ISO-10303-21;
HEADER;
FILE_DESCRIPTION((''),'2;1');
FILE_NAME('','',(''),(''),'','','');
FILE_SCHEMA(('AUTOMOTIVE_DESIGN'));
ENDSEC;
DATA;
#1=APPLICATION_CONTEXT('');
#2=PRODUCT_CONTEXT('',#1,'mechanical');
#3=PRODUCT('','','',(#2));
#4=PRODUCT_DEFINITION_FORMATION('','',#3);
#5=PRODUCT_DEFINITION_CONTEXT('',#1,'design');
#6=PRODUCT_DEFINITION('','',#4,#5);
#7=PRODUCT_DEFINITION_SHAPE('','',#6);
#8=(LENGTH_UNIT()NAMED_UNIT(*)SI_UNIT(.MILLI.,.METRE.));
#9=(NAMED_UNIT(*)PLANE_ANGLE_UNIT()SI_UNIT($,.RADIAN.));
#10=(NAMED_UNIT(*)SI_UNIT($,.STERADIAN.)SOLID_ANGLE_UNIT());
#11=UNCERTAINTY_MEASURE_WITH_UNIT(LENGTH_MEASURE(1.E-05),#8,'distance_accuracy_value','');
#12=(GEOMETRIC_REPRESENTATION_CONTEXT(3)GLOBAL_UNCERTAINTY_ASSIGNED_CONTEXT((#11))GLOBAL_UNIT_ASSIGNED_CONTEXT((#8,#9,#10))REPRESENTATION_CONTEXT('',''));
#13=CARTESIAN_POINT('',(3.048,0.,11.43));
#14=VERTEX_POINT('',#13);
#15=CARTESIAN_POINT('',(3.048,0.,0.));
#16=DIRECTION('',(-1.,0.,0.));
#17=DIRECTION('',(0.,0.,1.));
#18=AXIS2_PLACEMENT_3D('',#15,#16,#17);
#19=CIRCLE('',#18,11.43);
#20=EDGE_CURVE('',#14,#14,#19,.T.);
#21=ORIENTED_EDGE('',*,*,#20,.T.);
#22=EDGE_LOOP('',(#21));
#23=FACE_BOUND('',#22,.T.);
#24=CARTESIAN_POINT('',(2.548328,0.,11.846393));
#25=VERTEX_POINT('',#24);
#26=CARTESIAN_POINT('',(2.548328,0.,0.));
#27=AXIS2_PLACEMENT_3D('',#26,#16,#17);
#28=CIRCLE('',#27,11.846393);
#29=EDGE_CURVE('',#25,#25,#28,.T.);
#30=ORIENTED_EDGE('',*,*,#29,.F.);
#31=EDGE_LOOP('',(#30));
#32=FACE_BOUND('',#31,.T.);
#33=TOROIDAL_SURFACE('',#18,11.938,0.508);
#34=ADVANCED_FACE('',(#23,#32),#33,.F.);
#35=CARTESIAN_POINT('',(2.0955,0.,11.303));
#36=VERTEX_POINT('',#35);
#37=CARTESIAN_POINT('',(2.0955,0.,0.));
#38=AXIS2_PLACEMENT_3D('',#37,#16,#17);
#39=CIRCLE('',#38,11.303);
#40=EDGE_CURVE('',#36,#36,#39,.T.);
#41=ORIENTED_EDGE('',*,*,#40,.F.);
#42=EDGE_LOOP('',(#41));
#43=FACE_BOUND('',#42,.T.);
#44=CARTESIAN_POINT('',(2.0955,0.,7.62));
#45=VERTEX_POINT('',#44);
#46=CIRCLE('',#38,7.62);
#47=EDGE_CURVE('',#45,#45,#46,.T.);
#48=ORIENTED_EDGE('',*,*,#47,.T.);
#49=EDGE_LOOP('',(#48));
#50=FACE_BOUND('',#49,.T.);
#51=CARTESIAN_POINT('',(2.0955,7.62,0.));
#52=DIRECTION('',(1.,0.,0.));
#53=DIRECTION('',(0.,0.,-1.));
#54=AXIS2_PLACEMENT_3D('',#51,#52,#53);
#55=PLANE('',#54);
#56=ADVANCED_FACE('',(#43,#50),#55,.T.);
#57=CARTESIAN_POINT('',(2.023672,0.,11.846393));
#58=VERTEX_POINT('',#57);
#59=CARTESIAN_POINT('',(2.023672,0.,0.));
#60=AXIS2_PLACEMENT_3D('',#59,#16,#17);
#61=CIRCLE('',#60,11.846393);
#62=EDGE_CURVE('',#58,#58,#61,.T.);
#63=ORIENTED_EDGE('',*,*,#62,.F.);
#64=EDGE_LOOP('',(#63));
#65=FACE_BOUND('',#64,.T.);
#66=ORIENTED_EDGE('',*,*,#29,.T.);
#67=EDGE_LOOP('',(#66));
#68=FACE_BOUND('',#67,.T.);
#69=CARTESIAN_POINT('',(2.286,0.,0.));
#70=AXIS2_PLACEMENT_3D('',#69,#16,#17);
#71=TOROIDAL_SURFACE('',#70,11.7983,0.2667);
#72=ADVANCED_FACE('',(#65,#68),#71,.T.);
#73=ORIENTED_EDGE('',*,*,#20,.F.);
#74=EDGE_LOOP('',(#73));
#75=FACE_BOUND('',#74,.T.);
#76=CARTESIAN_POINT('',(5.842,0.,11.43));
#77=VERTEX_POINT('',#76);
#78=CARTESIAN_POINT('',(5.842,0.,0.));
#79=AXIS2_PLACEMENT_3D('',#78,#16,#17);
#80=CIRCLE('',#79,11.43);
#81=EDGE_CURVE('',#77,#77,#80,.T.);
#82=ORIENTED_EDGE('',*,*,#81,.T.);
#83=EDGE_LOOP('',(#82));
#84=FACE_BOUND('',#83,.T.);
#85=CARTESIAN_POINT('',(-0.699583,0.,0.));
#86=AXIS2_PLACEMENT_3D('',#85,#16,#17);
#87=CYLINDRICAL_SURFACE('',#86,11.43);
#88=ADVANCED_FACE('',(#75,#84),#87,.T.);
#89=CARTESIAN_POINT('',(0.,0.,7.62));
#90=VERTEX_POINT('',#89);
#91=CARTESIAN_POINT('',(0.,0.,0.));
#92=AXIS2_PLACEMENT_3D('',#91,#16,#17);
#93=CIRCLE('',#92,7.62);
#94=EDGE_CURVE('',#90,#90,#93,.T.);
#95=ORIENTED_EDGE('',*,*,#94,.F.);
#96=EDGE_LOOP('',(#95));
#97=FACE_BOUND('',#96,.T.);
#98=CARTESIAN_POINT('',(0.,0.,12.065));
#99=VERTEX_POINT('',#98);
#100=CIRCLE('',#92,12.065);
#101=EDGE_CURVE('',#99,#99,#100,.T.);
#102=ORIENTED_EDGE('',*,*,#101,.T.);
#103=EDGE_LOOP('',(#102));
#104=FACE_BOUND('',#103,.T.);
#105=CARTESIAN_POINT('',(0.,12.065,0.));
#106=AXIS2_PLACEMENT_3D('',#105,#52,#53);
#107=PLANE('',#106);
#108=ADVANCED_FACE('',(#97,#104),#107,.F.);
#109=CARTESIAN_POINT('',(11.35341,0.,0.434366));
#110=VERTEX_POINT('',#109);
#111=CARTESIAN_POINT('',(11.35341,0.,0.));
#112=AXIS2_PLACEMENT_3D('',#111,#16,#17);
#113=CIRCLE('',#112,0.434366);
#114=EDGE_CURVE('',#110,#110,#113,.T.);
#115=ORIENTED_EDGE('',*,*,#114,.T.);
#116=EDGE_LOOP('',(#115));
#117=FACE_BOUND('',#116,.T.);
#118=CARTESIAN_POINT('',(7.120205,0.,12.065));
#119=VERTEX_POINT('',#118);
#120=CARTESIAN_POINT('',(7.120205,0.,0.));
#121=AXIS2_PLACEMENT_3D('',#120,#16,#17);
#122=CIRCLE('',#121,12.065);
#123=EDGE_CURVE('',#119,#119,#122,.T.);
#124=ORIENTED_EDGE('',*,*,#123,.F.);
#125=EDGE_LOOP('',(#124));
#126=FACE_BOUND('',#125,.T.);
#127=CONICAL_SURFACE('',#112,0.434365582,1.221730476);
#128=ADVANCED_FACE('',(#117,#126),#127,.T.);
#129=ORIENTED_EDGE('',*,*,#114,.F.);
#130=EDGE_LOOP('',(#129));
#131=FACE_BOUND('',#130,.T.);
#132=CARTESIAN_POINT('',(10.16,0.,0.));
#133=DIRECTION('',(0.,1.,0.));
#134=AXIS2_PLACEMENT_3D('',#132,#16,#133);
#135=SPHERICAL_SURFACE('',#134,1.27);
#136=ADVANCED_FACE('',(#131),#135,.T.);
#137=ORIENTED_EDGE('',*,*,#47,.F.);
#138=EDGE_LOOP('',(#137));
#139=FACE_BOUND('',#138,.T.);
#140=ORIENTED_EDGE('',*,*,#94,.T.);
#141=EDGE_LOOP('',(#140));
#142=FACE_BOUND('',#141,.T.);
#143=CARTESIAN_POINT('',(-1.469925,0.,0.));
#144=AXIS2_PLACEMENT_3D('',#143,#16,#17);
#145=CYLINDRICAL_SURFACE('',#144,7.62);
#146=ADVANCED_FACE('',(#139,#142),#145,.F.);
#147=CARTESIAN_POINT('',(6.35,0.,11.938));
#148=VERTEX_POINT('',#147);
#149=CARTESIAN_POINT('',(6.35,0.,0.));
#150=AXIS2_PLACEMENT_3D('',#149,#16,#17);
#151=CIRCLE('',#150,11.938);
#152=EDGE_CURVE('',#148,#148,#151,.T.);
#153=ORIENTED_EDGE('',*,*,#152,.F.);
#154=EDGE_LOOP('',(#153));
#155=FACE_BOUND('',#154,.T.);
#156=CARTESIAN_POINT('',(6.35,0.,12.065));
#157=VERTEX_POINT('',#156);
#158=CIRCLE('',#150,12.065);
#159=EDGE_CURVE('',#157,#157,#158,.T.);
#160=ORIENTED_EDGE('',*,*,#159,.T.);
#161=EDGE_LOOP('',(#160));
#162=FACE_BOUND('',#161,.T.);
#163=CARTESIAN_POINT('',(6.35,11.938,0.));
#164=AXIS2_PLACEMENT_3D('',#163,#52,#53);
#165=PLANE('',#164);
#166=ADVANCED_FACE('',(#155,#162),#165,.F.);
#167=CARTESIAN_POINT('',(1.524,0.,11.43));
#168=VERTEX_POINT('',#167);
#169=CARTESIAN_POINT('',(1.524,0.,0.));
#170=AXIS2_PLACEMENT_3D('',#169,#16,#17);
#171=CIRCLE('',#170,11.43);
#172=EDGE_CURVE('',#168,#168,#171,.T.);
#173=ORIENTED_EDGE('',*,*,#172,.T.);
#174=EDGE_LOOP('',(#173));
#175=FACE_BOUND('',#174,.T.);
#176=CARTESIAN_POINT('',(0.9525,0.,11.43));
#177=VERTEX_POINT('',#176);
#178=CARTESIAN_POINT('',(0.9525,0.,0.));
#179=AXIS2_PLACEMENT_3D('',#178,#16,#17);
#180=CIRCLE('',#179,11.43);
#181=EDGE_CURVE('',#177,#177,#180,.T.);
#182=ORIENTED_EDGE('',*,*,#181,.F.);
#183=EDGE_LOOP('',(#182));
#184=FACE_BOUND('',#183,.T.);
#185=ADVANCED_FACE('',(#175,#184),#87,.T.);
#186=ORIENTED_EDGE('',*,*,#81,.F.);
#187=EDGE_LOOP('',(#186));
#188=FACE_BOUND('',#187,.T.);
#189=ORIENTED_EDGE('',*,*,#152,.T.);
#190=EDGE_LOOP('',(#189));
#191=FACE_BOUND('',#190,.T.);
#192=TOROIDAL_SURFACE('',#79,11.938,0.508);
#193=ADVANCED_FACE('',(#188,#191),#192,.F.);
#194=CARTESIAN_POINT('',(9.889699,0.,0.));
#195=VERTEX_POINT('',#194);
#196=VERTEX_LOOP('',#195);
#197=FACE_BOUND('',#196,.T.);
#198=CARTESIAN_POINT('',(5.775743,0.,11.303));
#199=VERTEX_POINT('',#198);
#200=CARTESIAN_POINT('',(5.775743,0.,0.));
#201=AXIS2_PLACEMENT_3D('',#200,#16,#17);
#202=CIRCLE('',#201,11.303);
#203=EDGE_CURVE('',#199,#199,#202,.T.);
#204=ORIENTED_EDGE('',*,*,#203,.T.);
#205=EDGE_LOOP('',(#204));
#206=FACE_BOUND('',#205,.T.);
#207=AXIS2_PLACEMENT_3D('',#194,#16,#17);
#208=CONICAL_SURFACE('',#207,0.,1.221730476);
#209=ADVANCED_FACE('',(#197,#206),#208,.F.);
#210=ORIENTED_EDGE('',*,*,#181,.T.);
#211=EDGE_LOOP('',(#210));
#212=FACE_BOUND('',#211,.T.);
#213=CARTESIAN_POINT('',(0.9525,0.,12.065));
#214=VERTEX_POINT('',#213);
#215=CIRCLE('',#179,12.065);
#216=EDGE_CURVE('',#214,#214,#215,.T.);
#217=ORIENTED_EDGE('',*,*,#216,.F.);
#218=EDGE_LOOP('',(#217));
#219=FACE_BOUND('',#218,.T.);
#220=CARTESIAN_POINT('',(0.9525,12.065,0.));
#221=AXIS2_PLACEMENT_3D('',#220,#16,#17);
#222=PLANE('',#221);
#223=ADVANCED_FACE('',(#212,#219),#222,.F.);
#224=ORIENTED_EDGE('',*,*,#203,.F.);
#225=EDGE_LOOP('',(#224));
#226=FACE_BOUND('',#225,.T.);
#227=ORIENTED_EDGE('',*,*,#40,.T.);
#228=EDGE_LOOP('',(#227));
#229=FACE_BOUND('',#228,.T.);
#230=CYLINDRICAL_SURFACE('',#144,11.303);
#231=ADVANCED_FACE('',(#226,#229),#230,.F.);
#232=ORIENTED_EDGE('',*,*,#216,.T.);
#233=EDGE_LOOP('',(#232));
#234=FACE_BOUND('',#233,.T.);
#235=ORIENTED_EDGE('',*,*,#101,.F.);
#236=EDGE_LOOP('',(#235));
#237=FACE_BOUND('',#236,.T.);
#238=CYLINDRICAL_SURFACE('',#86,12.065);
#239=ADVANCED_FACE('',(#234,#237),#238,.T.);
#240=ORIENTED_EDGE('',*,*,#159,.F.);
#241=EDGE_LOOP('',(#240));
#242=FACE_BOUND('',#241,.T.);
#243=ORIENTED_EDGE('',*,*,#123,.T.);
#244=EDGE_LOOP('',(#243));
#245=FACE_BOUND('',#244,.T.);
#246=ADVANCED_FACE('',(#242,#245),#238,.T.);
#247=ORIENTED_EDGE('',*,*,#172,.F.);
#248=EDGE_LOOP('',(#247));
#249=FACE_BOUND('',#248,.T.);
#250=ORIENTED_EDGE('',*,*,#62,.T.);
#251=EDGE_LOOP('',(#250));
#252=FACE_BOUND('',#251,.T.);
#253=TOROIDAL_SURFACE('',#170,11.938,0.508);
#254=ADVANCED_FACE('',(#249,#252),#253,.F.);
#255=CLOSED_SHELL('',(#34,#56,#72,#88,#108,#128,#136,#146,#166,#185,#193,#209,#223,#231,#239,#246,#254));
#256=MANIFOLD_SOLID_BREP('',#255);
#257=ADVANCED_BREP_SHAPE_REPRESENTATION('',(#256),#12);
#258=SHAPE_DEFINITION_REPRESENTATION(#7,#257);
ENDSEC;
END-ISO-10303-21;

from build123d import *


with BuildPart() as part:
    # Sketch1 → Revolve: OD (revolve)
    with BuildSketch(Plane.XY):
        with BuildLine():
            Line((0, 12.065), (0.9525, 12.065))
            Line((0.9525, 12.065), (0.9525, 11.43))
            Line((0.9525, 11.43), (1.524, 11.43))
            ThreePointArc((1.524, 11.43), (1.849213675, 11.54774359), (2.023672131, 11.846393443))
            ThreePointArc((2.023672131, 11.846393443), (2.286, 12.065), (2.548327869, 11.846393443))
            ThreePointArc((2.548327869, 11.846393443), (2.722786325, 11.54774359), (3.048, 11.43))
            Line((3.048, 11.43), (5.842, 11.43))
            ThreePointArc((5.842, 11.43), (6.201210245, 11.578789755), (6.35, 11.938))
            Line((6.35, 11.938), (6.35, 12.065))
            Line((6.35, 12.065), (7.120204895, 12.065))
            Line((7.120204895, 12.065), (11.353409628, 0.434365582))
            ThreePointArc((11.353409628, 0.434365582), (11.410705846, 0.220533186), (11.43, 0))
            Line((11.43, 0), (0, 0))
            Line((0, 0), (0, 12.065))
        make_face()
    revolve(axis=Axis((-0.699583002, 0, 0), (1, 0, 0)))

    # Sketch3 → Cut-Revolve: ID (revolve, cut)
    with BuildSketch(Plane.XY):
        Polygon((0, 0), (0, 7.62), (2.0955, 7.62), (2.0955, 11.303), (5.775743288, 11.303), (9.889698846, 0), align=None)
    revolve(axis=Axis((-1.469925142, 0, 0), (1, 0, 0)), mode=Mode.SUBTRACT)


solid = part.part
